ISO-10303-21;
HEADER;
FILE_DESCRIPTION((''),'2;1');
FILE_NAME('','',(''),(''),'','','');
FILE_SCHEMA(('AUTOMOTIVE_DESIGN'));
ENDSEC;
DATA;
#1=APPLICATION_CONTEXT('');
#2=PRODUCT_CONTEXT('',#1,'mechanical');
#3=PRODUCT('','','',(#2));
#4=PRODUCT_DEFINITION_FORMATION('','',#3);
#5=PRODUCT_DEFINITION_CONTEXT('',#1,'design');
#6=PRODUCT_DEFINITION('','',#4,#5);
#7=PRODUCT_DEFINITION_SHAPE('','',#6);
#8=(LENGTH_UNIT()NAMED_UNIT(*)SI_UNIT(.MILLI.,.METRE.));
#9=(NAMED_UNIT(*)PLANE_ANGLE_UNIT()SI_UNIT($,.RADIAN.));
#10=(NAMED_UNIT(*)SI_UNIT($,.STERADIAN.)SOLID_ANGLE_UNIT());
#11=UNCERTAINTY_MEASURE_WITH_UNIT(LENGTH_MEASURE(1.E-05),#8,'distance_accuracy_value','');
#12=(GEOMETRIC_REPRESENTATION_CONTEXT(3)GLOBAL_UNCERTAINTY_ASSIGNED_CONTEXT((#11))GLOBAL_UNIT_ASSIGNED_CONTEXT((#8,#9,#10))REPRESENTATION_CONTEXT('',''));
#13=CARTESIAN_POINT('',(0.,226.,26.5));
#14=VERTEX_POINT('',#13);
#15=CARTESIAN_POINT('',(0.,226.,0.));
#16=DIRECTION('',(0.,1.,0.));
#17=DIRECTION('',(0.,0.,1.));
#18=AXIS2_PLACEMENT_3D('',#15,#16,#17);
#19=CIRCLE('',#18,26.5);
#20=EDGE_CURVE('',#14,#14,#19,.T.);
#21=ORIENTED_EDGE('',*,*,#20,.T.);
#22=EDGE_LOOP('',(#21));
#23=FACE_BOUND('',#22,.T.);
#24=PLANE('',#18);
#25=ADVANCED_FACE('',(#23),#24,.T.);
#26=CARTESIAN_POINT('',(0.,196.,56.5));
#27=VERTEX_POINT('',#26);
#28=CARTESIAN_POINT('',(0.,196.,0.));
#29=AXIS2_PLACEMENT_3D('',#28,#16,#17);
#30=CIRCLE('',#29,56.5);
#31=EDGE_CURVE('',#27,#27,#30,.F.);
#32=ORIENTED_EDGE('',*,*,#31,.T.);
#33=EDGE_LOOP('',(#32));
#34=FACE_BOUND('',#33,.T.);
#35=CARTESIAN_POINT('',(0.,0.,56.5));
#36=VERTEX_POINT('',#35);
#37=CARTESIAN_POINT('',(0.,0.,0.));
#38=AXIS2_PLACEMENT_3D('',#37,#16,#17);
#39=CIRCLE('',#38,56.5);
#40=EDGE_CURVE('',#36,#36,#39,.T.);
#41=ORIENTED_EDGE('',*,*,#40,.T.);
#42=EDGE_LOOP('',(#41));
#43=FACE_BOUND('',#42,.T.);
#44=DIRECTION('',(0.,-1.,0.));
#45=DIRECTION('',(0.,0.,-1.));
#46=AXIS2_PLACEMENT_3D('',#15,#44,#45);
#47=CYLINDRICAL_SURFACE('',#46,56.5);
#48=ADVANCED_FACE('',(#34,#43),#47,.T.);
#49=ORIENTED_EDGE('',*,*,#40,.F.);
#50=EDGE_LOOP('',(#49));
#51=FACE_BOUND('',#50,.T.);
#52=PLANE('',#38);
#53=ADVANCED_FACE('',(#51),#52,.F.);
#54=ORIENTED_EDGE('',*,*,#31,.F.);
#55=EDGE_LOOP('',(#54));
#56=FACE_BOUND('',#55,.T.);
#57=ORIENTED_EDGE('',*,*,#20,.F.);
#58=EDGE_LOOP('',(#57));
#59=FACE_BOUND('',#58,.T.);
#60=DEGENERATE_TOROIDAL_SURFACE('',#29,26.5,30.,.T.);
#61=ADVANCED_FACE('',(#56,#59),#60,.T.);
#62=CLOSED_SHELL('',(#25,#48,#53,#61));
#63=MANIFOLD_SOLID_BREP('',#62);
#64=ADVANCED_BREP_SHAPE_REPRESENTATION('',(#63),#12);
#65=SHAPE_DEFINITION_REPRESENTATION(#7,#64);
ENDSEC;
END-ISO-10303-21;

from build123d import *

# Parameters (mm, degrees)
SKETCH1_R           = 56.5
BOSS_EXTRUDE1_DEPTH = 226
FILLET1_R           = 30


with BuildPart() as part:
    # Sketch1 → Boss-Extrude1 (new body)
    with BuildSketch(Plane(origin=(0, 0, 0), x_dir=(1, 0, 0), z_dir=(0, 1, 0))):
        Circle(SKETCH1_R)
    extrude(amount=BOSS_EXTRUDE1_DEPTH)

    # Fillet1
    fillet1_edges = [part.edges().sort_by_distance(p)[0] for p in [
        (-56.5, 226, 0),
    ]]
    fillet(fillet1_edges, radius=FILLET1_R)


solid = part.part
